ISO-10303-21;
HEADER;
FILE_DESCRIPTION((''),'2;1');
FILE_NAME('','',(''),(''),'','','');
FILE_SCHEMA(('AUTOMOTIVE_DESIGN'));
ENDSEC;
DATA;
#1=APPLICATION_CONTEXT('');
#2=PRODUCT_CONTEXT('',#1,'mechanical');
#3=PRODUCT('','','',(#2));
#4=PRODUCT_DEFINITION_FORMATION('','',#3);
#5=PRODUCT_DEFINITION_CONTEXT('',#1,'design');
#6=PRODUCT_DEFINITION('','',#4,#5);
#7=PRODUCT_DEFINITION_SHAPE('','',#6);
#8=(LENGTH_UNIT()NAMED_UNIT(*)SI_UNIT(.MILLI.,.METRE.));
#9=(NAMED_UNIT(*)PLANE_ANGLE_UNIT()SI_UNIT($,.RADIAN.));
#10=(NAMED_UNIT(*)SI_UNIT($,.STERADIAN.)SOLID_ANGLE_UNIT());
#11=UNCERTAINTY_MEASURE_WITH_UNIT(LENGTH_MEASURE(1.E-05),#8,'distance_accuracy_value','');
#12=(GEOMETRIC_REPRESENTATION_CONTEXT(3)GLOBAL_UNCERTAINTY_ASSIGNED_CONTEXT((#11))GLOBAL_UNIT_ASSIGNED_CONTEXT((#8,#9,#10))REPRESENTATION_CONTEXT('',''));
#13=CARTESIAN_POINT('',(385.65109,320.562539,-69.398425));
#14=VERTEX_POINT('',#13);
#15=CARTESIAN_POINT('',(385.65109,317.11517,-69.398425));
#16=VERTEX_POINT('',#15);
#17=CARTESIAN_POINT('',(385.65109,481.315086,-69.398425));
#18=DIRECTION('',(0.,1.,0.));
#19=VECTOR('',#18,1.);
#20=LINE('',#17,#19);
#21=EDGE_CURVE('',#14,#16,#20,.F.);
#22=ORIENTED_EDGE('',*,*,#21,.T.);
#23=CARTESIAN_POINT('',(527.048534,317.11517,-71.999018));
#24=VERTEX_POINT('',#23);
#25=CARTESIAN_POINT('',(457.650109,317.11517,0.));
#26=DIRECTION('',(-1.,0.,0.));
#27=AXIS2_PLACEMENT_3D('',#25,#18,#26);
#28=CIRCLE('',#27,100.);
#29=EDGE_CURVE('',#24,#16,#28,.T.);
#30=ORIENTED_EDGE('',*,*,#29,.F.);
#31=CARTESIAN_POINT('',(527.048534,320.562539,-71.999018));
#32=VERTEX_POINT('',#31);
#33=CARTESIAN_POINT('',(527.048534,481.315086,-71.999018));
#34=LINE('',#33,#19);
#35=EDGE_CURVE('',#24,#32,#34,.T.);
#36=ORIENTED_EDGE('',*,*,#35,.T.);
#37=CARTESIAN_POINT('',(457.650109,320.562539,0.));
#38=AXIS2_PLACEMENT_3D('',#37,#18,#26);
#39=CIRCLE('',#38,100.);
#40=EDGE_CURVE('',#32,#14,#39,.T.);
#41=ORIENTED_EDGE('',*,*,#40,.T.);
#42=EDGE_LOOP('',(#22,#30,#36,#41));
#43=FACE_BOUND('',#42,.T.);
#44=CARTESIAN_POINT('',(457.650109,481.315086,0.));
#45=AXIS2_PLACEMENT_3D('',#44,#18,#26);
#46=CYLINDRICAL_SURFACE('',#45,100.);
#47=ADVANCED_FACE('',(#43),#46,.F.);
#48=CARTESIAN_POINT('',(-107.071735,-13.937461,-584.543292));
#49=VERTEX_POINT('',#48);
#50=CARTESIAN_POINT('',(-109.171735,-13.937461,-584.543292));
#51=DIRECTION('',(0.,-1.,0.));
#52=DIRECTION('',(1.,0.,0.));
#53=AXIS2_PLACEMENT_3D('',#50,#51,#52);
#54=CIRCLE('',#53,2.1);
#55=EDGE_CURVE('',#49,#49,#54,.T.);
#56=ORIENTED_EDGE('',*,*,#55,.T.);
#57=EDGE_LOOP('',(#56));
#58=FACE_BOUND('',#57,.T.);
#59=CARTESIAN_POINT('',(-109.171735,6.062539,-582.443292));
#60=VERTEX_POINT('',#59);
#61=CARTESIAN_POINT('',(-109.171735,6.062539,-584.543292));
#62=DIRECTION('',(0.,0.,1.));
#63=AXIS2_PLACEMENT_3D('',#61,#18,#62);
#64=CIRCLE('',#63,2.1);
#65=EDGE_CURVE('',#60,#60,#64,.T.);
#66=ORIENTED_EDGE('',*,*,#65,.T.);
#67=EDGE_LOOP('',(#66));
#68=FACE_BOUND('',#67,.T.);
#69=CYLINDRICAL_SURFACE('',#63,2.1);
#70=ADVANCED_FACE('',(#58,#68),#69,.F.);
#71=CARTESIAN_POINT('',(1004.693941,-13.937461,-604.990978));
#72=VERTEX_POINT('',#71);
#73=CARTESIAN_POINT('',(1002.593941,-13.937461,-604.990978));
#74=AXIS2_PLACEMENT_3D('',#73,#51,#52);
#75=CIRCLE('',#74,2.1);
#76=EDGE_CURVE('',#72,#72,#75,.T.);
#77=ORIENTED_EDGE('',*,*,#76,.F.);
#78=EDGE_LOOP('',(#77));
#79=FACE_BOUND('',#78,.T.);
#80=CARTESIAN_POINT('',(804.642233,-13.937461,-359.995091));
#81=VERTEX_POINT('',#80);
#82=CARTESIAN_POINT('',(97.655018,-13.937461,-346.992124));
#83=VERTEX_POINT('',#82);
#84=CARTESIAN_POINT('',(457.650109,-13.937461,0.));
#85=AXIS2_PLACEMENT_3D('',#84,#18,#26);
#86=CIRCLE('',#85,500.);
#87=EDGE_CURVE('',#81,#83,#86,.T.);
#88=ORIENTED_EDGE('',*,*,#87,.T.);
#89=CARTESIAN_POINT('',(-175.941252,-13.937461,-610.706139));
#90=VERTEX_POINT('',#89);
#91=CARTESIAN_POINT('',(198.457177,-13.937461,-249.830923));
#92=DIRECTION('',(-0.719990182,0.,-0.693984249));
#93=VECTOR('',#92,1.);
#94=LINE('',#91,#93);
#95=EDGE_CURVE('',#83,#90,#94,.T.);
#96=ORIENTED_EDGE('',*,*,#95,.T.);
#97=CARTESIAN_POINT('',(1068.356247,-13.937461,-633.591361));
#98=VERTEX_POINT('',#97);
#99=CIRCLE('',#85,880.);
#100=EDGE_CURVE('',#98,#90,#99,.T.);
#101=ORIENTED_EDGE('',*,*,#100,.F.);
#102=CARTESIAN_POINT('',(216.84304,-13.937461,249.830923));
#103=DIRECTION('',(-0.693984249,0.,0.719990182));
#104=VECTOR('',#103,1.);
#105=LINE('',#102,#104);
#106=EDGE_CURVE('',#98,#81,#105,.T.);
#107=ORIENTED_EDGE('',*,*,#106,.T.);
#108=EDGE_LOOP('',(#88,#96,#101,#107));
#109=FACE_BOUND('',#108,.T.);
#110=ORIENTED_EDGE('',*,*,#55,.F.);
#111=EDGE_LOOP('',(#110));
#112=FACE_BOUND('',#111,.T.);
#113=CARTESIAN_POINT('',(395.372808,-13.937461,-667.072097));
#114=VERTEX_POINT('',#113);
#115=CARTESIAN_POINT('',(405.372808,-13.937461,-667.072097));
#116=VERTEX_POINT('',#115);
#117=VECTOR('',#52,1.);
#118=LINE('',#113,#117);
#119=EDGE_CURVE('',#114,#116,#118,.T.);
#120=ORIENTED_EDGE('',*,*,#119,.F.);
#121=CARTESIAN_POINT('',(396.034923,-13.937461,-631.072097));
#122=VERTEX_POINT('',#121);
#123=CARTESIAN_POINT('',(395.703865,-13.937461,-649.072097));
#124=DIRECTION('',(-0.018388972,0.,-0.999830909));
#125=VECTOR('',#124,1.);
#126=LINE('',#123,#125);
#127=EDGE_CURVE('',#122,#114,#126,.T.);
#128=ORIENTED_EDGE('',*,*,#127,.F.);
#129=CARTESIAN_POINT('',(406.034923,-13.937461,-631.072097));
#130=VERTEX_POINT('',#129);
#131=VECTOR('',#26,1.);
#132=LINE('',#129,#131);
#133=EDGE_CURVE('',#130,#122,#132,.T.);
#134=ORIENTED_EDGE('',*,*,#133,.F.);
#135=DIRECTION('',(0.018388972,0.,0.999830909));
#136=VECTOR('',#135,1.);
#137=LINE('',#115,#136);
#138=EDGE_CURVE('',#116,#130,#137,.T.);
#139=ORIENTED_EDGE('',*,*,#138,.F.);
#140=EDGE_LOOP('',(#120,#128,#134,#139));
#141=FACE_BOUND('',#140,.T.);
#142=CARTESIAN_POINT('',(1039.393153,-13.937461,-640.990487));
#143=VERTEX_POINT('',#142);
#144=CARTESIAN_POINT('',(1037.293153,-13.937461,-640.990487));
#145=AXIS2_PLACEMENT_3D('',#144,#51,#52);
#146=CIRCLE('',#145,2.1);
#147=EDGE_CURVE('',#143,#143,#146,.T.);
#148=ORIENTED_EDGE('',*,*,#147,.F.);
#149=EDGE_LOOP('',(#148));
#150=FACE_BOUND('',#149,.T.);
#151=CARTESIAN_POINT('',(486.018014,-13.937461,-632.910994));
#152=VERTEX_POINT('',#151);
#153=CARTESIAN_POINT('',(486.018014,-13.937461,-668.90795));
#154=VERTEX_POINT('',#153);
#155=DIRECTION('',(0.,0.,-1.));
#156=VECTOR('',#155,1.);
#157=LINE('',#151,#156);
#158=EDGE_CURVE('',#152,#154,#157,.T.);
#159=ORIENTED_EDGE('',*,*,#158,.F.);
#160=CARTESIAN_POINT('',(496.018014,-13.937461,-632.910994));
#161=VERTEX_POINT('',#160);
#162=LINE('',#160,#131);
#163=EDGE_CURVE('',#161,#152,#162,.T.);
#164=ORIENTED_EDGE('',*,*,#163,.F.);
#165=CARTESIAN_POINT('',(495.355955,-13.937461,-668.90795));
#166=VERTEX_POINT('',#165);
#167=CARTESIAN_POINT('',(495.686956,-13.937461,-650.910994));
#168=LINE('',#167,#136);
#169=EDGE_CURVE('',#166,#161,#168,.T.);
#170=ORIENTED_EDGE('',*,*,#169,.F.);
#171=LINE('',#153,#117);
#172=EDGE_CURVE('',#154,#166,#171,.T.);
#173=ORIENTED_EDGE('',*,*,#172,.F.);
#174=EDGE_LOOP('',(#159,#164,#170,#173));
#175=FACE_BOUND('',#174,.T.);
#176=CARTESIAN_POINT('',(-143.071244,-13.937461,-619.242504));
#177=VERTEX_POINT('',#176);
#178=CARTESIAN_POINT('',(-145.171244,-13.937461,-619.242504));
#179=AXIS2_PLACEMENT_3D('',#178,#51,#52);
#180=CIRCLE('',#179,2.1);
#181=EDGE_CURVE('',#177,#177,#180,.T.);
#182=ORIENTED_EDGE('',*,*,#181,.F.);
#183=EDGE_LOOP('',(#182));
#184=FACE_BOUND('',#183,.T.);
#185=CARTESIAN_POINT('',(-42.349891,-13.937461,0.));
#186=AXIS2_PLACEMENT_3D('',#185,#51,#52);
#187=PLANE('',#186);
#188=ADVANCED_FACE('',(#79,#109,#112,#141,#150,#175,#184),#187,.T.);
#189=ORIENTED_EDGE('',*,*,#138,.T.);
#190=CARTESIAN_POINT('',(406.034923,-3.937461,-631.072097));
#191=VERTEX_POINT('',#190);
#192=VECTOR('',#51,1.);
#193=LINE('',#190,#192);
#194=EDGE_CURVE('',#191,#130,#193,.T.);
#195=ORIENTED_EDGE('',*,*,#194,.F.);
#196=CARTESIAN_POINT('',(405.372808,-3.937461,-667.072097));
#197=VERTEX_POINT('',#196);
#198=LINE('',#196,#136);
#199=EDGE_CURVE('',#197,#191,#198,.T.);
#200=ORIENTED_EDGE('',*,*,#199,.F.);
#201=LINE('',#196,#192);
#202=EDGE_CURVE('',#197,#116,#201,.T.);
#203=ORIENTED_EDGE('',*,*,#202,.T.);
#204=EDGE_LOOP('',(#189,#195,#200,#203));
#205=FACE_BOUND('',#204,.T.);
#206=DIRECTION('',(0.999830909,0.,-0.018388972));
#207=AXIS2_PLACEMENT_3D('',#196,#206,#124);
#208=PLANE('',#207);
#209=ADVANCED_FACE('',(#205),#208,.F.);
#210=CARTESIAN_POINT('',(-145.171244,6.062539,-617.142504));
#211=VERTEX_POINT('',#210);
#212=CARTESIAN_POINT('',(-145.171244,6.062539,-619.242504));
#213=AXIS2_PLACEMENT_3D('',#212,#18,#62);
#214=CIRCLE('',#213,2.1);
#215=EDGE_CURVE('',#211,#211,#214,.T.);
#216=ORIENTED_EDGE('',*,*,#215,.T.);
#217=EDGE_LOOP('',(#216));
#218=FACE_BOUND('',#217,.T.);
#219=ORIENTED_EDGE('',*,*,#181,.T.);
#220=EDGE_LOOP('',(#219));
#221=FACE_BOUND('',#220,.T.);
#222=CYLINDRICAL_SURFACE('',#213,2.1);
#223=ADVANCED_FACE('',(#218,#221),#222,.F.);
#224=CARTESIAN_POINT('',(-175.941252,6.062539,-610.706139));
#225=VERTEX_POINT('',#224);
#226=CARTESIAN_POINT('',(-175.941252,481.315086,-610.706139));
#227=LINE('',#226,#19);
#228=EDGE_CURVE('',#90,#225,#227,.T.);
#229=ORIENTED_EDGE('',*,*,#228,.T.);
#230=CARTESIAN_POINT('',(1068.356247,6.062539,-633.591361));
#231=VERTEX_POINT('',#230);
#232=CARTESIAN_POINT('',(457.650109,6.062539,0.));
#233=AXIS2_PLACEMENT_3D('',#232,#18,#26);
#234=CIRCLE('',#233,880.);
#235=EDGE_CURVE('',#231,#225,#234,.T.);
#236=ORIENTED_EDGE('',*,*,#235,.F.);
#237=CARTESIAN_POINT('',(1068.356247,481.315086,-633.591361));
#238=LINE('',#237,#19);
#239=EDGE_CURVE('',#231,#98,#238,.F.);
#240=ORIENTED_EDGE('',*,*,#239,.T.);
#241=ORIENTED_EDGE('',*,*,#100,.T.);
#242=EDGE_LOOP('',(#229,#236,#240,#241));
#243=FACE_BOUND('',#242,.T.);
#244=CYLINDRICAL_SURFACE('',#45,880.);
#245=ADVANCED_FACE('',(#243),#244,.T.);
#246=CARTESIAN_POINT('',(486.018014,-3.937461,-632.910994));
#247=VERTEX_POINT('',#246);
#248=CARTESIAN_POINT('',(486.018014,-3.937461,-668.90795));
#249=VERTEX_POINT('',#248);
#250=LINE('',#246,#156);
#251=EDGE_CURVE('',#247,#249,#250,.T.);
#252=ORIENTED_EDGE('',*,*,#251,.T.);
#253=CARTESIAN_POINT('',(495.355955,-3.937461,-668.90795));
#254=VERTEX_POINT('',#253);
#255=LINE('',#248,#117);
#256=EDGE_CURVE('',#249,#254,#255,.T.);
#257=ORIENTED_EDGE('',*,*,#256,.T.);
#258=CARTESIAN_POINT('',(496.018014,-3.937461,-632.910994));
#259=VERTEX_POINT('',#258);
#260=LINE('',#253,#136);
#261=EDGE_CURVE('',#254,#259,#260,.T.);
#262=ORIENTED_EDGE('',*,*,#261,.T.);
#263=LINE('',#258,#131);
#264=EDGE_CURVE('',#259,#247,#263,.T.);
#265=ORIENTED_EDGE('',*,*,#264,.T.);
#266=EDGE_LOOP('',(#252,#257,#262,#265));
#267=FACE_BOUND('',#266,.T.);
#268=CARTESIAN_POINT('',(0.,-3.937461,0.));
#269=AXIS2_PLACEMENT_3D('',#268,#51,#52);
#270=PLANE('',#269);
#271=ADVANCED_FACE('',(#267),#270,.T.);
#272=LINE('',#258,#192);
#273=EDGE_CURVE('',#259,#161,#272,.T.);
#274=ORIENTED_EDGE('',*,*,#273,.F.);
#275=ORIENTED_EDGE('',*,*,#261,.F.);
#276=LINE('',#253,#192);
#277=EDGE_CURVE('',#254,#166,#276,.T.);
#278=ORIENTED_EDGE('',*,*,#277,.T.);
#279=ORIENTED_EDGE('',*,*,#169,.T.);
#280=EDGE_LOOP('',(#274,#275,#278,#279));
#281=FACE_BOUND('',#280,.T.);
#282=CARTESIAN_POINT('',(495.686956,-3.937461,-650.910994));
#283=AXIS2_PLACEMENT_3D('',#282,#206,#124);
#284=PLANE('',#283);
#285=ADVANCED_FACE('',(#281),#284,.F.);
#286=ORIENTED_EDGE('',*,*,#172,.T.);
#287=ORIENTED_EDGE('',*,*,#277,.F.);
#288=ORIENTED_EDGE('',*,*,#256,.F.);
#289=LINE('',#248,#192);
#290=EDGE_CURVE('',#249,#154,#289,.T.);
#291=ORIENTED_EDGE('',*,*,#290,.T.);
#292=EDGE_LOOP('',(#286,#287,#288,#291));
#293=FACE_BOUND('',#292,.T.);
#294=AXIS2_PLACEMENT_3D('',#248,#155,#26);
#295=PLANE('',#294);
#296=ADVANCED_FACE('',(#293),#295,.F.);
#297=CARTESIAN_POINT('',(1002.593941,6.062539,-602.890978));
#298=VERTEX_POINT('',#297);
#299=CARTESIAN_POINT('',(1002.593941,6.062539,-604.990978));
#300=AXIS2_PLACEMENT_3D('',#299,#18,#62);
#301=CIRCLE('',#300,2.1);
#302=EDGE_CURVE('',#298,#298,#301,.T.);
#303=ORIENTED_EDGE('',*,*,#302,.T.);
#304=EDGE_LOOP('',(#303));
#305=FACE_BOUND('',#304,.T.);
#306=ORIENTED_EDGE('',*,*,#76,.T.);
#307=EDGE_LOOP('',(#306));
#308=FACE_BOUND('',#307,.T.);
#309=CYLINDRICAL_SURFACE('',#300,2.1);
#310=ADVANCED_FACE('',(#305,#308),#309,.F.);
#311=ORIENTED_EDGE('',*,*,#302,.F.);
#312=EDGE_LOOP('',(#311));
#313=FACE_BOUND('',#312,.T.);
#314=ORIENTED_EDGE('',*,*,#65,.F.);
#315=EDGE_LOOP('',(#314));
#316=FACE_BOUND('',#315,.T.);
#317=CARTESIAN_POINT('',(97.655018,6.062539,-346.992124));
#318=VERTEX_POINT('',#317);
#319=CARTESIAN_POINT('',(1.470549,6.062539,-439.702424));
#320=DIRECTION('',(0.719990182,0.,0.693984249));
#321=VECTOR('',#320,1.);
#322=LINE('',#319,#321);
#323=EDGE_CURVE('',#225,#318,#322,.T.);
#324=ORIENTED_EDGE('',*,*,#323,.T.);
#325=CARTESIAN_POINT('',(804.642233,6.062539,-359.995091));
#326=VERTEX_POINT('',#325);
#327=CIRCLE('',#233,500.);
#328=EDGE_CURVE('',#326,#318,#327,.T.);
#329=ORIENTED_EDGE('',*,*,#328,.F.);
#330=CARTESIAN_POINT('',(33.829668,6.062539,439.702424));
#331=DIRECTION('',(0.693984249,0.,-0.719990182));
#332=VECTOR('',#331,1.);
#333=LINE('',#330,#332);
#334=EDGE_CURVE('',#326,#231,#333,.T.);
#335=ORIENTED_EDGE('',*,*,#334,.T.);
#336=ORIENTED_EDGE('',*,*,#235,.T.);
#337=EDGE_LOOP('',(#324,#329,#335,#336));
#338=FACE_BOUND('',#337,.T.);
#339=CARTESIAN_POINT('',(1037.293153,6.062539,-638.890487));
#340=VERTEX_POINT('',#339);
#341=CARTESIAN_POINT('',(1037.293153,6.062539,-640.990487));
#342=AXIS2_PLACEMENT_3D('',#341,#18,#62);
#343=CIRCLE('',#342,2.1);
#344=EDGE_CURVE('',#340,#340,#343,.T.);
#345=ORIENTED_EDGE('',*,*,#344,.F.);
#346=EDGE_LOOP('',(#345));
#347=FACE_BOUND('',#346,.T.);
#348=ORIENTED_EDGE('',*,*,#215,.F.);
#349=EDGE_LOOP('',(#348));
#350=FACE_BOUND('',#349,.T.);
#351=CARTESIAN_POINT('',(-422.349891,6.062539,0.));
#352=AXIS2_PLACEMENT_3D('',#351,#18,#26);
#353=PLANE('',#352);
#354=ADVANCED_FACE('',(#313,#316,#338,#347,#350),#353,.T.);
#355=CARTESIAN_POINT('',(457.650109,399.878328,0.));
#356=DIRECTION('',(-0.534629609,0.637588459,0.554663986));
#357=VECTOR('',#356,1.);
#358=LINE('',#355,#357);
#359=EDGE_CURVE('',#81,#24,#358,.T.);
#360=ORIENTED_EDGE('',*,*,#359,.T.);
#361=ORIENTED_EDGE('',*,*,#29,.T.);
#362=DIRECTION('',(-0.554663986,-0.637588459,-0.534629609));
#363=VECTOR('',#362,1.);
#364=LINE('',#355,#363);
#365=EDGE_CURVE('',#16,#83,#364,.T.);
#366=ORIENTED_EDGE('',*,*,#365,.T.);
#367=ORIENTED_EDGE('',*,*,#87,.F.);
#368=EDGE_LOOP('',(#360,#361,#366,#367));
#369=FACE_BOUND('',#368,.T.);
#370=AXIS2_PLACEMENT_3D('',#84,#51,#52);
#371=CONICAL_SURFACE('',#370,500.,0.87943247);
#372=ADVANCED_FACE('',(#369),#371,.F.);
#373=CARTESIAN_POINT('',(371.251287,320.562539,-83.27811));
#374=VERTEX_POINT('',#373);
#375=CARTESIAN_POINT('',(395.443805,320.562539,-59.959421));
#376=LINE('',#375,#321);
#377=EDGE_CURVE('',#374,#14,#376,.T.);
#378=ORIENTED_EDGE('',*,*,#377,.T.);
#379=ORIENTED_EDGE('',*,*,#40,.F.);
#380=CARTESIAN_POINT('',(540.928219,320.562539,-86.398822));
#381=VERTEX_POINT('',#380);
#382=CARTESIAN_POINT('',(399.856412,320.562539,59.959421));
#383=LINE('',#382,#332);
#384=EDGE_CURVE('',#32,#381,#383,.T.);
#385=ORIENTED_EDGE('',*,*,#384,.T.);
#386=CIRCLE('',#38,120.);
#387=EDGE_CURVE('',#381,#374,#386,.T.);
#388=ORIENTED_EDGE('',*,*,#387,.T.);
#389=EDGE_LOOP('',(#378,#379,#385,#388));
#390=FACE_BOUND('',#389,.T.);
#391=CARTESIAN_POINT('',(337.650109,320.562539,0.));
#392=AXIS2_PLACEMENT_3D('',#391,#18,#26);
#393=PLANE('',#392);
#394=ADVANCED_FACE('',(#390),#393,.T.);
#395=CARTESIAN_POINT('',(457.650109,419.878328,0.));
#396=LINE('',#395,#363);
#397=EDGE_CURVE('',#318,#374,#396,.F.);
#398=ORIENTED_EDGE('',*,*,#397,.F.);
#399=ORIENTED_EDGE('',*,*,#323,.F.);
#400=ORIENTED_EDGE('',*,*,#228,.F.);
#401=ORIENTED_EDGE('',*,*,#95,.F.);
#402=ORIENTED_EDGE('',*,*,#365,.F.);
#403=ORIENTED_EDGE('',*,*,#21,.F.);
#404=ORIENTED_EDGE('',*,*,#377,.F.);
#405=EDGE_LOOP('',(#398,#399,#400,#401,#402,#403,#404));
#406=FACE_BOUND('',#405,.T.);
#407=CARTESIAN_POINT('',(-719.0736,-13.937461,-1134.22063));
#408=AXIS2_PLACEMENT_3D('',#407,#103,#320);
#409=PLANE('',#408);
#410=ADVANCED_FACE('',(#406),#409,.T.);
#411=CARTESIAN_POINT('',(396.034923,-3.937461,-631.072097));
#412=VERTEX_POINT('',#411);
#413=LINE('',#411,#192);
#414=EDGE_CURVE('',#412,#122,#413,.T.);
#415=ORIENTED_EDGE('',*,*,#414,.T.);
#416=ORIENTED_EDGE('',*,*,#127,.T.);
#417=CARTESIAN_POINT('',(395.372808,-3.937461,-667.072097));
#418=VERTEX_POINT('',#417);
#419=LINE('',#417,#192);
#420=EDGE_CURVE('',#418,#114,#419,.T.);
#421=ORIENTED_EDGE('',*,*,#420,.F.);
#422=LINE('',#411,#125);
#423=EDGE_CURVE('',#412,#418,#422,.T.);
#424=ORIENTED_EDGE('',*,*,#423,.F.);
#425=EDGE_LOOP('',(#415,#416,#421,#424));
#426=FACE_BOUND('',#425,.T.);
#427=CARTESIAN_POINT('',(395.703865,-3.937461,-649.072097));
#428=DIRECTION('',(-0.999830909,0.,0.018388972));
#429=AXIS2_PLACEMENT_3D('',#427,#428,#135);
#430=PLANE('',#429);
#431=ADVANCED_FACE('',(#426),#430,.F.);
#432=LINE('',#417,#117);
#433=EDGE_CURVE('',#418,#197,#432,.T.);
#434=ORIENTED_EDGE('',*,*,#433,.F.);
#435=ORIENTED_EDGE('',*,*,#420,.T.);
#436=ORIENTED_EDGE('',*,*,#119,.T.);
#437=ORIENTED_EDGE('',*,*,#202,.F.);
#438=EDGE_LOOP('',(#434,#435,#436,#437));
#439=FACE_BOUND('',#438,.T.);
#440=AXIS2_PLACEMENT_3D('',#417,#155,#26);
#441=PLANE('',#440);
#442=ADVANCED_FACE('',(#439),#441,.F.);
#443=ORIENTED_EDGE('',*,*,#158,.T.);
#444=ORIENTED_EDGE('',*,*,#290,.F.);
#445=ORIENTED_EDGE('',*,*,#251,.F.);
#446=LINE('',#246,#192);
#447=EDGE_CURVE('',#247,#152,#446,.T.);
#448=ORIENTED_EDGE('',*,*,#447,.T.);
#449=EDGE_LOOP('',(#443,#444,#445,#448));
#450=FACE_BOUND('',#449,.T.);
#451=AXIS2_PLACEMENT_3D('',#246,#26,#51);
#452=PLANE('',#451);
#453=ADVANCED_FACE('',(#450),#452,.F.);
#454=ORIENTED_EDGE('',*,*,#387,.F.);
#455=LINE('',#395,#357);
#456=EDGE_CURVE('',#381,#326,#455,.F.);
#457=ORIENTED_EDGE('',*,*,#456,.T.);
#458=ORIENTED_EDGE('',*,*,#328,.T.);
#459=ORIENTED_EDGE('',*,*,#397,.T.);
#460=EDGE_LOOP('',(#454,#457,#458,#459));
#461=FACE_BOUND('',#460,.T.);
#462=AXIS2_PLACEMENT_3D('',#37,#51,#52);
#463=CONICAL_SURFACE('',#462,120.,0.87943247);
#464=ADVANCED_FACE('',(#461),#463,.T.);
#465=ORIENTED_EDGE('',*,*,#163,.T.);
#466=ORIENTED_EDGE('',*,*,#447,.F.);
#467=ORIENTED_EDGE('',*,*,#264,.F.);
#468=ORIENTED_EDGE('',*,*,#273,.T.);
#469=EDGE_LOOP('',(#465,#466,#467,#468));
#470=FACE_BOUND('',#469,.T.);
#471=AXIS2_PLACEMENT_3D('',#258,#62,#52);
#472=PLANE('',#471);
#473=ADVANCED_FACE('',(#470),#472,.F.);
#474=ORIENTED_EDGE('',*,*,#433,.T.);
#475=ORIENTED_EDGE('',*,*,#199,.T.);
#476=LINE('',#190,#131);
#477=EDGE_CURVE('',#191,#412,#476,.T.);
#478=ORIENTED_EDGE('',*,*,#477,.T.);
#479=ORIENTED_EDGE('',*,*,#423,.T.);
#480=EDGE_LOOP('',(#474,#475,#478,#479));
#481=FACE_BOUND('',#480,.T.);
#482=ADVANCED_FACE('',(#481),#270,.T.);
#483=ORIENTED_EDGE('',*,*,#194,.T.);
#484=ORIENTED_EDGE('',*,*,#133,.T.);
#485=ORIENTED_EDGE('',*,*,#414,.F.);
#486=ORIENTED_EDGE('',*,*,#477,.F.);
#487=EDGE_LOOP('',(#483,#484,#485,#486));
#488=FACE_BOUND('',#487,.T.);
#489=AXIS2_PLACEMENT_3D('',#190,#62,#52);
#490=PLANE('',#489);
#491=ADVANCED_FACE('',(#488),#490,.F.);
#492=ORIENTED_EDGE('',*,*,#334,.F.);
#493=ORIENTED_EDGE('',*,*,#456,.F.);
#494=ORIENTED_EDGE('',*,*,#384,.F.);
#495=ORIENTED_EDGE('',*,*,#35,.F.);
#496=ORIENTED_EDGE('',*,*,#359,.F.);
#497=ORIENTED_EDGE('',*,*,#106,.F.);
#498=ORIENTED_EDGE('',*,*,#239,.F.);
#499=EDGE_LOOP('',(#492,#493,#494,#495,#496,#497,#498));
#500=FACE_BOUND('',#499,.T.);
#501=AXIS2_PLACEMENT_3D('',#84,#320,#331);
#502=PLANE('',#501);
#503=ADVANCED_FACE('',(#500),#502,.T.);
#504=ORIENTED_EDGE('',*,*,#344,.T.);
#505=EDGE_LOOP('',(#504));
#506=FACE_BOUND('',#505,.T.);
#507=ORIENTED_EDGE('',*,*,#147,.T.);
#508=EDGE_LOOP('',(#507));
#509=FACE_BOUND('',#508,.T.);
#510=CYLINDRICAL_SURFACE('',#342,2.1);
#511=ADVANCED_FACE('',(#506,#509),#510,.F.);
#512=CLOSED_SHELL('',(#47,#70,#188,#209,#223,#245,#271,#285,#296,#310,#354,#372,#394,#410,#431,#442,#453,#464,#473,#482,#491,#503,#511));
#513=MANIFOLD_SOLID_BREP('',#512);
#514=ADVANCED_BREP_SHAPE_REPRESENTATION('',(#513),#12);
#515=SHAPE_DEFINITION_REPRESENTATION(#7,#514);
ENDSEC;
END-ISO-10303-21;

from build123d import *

# Parameters (mm, degrees)
CUT_EXTRUDE_1_DEPTH      = 1636.725546456
CUT_EXTRUDE_1_DEPTH_BACK = 1636.725546456
SKETCH_3_OUTSIDE_W       = 2264.278
SKETCH_3_OUTSIDE_H       = 2264.278
CUT_EXTRUDE_5_DEPTH      = 10
HOLE_WIZARD_M5_1_D       = 4.2


with BuildPart() as part:
    # 草图2 → 旋转1 (revolve)
    with BuildSketch(Plane.XY):
        Polygon((-422.349891291, 6.062538723), (-42.349891291, 6.062538723), (337.650108709, 320.562538723), (357.650108709, 320.562538723), (357.650108709, 317.115170302), (-42.349891291, -13.937461277), (-422.349891291, -13.937461277), align=None)
    revolve(axis=Axis((457.650108709, 481.315085819, 0), (0, -1, 0)))

    # 草图3 outside → 切除-拉伸1 (cut, two sides: drawn at the far end of the back side and taken through both)
    with BuildSketch(Plane(origin=(0, 320.562538723, 0), x_dir=(1, 0, 0), z_dir=(0, 1, 0)).offset(-CUT_EXTRUDE_1_DEPTH_BACK)):
        with Locations((457.65, 0)):
            Rectangle(SKETCH_3_OUTSIDE_W, SKETCH_3_OUTSIDE_H)
        Polygon((457.650108709, 0), (1205.950605112, 776.341843522), (29.226896752, 1910.562473831), (-719.073599651, 1134.220630309), align=None, mode=Mode.SUBTRACT)
    extrude(amount=CUT_EXTRUDE_1_DEPTH + CUT_EXTRUDE_1_DEPTH_BACK, mode=Mode.SUBTRACT)

    # 草图7 → 切除-拉伸5 (cut)
    with BuildSketch(Plane.XZ.offset(13.937461277)):
        Polygon((395.372807922, -667.072096819), (405.372807922, -667.072096819), (406.034922879, -631.072096819), (396.034922879, -631.072096819), (395.7038654, -649.072096819), align=None)
        Polygon((495.686956256, -650.910994037), (496.018013734, -632.910994037), (486.018013734, -632.910994037), (486.018013734, -668.907950391), (495.355954757, -668.907950391), align=None)
    extrude(amount=-CUT_EXTRUDE_5_DEPTH, mode=Mode.SUBTRACT)

    # M5 螺纹孔1 (through all)
    with Locations(Plane(origin=(-145.171244311, 6.062538723, -619.24250439), x_dir=(1, 0, 0), z_dir=(0, 1, 0))):
        with Locations((0, 0), (35.99950912, -34.699212428)):
            hole_wizard_m5_1 = Hole(HOLE_WIZARD_M5_1_D / 2)

    # 镜向1: M5 螺纹孔1 across plane
    add(hole_wizard_m5_1.mirror(Plane(origin=(457.495352358, 0, -8.41429209), x_dir=(0.018388972176112385, 0, 0.9998309085551947), z_dir=(-0.9998309085551947, 0, 0.018388972176112385))), mode=Mode.SUBTRACT)


solid = part.part
